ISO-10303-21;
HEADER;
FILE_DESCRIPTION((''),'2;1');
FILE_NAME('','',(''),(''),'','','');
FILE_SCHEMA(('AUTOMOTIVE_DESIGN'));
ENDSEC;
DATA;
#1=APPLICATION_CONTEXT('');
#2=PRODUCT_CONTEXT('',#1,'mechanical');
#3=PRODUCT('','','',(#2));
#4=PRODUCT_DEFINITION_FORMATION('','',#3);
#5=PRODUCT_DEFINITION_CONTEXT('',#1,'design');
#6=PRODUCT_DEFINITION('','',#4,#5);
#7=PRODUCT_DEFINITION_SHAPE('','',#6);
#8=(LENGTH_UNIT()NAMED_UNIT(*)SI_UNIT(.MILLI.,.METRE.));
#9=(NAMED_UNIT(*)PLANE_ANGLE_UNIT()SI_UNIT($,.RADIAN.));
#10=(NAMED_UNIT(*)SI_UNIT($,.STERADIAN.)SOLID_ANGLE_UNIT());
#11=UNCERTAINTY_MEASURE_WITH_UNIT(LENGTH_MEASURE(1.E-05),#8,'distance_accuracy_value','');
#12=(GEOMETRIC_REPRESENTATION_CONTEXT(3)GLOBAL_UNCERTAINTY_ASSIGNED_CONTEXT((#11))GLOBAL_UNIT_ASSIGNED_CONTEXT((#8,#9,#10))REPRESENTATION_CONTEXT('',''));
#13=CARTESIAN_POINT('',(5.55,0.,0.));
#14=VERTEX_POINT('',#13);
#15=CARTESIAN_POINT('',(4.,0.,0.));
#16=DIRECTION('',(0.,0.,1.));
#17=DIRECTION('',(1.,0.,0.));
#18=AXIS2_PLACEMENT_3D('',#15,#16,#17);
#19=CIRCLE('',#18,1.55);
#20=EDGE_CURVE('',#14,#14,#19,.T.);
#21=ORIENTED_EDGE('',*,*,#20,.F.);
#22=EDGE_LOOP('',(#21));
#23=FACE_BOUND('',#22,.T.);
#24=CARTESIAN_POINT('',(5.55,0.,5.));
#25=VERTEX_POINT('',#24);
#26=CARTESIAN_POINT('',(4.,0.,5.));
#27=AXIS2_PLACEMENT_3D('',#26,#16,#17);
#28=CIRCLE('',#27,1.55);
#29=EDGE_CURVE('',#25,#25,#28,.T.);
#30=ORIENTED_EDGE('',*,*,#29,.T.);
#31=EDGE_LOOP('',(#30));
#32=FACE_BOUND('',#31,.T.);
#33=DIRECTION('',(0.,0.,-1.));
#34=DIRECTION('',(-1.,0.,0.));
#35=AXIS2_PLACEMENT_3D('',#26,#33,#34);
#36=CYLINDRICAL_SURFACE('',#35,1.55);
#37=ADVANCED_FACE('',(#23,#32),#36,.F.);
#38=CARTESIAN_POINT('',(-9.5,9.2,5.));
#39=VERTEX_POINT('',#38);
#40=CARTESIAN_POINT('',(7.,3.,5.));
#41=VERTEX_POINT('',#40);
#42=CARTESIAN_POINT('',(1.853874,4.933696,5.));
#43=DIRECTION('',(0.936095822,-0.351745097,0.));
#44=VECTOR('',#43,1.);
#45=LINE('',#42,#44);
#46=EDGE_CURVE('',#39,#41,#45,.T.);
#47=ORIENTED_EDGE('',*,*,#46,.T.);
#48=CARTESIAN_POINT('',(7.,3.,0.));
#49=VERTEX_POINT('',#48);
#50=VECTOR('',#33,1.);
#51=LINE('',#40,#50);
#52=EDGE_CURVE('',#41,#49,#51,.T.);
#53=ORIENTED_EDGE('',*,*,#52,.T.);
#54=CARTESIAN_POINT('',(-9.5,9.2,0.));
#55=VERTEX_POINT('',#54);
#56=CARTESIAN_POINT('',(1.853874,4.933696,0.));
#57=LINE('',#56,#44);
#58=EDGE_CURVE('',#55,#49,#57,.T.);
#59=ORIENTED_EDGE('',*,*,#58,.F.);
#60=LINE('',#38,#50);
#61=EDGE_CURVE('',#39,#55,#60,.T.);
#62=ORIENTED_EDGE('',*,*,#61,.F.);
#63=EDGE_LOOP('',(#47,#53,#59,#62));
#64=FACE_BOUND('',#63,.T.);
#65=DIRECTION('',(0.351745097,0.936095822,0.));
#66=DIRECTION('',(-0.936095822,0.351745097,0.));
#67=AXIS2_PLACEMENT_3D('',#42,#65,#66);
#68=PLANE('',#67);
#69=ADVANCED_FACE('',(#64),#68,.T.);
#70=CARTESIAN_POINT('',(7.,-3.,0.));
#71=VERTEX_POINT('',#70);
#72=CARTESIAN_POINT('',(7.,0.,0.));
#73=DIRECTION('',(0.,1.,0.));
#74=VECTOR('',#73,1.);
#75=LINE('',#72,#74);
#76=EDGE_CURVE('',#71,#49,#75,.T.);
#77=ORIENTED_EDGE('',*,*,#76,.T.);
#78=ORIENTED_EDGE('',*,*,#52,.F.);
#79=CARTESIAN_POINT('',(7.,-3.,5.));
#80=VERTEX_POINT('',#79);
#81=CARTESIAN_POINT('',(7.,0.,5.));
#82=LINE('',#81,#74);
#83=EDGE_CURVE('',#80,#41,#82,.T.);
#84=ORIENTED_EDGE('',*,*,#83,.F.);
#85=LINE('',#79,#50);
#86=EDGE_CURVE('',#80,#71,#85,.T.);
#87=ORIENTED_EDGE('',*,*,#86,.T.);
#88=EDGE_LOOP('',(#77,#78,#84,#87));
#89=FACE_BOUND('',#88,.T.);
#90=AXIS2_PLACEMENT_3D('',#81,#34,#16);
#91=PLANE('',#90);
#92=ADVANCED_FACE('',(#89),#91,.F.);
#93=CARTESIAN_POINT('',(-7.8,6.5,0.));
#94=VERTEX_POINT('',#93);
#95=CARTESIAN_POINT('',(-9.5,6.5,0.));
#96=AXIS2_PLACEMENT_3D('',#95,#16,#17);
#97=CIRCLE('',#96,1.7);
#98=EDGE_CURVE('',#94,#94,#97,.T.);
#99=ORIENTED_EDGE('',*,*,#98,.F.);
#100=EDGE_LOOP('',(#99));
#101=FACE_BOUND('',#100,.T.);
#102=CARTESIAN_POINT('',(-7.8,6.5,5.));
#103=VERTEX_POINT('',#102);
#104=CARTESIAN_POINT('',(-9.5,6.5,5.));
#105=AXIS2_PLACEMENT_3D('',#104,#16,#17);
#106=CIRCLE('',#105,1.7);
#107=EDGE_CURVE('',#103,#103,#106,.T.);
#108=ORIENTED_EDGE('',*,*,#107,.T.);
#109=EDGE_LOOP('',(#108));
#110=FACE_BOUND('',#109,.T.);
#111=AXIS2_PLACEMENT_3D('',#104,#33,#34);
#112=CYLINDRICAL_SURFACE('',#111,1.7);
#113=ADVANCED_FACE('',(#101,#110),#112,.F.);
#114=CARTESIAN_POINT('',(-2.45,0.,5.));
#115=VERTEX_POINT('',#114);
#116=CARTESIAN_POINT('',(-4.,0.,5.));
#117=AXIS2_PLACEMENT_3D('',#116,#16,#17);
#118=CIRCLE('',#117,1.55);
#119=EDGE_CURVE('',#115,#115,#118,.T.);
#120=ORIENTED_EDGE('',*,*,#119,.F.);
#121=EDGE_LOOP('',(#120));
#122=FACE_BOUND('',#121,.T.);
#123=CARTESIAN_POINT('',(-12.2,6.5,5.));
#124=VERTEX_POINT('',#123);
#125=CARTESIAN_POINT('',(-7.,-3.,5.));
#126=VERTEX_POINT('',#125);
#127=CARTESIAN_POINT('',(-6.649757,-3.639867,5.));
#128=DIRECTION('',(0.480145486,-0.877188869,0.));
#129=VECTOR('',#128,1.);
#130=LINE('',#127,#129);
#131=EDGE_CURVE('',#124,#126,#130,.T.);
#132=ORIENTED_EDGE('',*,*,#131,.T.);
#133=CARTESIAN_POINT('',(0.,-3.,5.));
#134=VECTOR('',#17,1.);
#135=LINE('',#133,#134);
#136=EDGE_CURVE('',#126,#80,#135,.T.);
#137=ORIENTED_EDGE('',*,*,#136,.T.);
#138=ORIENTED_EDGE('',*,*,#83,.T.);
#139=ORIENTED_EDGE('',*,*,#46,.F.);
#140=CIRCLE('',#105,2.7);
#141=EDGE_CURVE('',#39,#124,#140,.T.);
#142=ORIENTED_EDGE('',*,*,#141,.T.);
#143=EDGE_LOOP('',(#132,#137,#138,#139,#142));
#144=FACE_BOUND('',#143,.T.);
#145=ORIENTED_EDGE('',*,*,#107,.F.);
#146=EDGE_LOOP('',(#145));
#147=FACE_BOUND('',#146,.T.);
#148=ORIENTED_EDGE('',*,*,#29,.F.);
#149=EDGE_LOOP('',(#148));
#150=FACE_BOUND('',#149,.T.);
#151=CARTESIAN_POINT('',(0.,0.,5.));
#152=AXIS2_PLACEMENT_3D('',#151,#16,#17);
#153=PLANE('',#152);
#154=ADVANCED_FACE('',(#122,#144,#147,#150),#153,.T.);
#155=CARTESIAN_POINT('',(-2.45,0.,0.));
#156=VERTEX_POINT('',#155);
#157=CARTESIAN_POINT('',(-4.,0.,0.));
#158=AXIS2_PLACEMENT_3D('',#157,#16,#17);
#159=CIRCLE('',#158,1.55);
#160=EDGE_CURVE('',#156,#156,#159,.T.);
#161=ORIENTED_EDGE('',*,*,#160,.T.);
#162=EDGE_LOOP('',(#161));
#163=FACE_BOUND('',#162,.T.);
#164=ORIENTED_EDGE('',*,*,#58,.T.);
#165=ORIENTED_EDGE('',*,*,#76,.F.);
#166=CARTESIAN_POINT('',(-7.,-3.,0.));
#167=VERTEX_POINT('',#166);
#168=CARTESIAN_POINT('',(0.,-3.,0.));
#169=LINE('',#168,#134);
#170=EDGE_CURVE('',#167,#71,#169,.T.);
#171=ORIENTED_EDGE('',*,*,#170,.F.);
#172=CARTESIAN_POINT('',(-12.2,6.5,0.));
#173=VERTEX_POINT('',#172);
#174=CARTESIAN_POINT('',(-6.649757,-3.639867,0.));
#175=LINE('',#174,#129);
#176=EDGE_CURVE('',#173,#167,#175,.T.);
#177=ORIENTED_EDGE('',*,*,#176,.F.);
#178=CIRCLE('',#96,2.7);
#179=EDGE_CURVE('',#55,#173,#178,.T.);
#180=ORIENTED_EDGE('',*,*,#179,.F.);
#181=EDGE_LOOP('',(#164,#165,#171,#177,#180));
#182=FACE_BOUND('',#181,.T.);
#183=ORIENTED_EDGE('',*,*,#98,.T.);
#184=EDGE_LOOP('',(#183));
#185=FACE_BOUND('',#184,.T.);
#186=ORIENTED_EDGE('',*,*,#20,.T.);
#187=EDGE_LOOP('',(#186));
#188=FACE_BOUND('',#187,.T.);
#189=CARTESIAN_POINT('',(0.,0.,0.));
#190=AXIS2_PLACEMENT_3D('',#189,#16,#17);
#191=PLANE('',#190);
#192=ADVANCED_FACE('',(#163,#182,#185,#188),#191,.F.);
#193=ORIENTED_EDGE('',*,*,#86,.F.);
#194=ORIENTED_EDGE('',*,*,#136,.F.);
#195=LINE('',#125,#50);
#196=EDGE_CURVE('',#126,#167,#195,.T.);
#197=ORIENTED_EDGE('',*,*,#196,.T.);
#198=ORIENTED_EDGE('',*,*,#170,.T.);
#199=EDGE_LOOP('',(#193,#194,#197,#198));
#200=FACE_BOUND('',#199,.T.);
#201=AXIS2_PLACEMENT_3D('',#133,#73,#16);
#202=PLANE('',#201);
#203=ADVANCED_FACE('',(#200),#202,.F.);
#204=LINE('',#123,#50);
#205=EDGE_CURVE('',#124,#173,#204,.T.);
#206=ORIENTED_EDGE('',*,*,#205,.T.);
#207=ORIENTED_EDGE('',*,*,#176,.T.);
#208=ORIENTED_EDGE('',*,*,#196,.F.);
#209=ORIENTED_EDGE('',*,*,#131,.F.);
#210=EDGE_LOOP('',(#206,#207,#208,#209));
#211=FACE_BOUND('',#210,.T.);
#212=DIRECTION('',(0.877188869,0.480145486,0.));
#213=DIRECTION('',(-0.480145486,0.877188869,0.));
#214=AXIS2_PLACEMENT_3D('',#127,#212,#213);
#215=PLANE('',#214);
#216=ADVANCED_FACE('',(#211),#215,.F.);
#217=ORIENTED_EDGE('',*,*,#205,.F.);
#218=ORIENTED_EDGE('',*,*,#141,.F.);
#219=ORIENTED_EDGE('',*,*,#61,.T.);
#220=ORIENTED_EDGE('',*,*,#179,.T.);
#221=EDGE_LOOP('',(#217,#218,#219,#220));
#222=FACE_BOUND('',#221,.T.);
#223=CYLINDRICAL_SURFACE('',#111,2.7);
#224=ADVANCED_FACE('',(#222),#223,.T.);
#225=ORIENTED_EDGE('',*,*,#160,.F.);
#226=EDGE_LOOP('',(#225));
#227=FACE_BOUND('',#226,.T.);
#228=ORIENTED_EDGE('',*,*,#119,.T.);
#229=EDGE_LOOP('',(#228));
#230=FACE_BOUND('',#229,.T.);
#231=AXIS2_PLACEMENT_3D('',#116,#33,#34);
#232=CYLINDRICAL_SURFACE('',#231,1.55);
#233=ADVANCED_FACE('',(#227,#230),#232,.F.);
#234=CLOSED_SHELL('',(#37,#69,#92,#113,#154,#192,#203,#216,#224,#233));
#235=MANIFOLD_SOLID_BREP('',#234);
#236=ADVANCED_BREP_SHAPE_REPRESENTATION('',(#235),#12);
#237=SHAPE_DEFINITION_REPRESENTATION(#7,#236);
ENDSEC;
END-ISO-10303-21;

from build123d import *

# Parameters (mm, degrees)
SKETCH1_R           = 1.55
SKETCH1_R_2         = 1.7
BOSS_EXTRUDE1_DEPTH = 5


with BuildPart() as part:
    # Sketch1 → Boss-Extrude1 (new body)
    with BuildSketch(Plane.XY):
        with BuildLine():
            Line((-7, -3), (7, -3))
            Line((7, -3), (7, 3))
            Line((7, 3), (-9.5, 9.2))
            ThreePointArc((-9.5, 9.2), (-11.409188309, 8.409188309), (-12.2, 6.5))
            Line((-12.2, 6.5), (-7, -3))
        make_face()
        with Locations((4, 0)):
            Circle(SKETCH1_R, mode=Mode.SUBTRACT)
        with Locations((-4, 0)):
            Circle(SKETCH1_R, mode=Mode.SUBTRACT)
        with Locations((-9.5, 6.5)):
            Circle(SKETCH1_R_2, mode=Mode.SUBTRACT)
    extrude(amount=BOSS_EXTRUDE1_DEPTH)


solid = part.part
